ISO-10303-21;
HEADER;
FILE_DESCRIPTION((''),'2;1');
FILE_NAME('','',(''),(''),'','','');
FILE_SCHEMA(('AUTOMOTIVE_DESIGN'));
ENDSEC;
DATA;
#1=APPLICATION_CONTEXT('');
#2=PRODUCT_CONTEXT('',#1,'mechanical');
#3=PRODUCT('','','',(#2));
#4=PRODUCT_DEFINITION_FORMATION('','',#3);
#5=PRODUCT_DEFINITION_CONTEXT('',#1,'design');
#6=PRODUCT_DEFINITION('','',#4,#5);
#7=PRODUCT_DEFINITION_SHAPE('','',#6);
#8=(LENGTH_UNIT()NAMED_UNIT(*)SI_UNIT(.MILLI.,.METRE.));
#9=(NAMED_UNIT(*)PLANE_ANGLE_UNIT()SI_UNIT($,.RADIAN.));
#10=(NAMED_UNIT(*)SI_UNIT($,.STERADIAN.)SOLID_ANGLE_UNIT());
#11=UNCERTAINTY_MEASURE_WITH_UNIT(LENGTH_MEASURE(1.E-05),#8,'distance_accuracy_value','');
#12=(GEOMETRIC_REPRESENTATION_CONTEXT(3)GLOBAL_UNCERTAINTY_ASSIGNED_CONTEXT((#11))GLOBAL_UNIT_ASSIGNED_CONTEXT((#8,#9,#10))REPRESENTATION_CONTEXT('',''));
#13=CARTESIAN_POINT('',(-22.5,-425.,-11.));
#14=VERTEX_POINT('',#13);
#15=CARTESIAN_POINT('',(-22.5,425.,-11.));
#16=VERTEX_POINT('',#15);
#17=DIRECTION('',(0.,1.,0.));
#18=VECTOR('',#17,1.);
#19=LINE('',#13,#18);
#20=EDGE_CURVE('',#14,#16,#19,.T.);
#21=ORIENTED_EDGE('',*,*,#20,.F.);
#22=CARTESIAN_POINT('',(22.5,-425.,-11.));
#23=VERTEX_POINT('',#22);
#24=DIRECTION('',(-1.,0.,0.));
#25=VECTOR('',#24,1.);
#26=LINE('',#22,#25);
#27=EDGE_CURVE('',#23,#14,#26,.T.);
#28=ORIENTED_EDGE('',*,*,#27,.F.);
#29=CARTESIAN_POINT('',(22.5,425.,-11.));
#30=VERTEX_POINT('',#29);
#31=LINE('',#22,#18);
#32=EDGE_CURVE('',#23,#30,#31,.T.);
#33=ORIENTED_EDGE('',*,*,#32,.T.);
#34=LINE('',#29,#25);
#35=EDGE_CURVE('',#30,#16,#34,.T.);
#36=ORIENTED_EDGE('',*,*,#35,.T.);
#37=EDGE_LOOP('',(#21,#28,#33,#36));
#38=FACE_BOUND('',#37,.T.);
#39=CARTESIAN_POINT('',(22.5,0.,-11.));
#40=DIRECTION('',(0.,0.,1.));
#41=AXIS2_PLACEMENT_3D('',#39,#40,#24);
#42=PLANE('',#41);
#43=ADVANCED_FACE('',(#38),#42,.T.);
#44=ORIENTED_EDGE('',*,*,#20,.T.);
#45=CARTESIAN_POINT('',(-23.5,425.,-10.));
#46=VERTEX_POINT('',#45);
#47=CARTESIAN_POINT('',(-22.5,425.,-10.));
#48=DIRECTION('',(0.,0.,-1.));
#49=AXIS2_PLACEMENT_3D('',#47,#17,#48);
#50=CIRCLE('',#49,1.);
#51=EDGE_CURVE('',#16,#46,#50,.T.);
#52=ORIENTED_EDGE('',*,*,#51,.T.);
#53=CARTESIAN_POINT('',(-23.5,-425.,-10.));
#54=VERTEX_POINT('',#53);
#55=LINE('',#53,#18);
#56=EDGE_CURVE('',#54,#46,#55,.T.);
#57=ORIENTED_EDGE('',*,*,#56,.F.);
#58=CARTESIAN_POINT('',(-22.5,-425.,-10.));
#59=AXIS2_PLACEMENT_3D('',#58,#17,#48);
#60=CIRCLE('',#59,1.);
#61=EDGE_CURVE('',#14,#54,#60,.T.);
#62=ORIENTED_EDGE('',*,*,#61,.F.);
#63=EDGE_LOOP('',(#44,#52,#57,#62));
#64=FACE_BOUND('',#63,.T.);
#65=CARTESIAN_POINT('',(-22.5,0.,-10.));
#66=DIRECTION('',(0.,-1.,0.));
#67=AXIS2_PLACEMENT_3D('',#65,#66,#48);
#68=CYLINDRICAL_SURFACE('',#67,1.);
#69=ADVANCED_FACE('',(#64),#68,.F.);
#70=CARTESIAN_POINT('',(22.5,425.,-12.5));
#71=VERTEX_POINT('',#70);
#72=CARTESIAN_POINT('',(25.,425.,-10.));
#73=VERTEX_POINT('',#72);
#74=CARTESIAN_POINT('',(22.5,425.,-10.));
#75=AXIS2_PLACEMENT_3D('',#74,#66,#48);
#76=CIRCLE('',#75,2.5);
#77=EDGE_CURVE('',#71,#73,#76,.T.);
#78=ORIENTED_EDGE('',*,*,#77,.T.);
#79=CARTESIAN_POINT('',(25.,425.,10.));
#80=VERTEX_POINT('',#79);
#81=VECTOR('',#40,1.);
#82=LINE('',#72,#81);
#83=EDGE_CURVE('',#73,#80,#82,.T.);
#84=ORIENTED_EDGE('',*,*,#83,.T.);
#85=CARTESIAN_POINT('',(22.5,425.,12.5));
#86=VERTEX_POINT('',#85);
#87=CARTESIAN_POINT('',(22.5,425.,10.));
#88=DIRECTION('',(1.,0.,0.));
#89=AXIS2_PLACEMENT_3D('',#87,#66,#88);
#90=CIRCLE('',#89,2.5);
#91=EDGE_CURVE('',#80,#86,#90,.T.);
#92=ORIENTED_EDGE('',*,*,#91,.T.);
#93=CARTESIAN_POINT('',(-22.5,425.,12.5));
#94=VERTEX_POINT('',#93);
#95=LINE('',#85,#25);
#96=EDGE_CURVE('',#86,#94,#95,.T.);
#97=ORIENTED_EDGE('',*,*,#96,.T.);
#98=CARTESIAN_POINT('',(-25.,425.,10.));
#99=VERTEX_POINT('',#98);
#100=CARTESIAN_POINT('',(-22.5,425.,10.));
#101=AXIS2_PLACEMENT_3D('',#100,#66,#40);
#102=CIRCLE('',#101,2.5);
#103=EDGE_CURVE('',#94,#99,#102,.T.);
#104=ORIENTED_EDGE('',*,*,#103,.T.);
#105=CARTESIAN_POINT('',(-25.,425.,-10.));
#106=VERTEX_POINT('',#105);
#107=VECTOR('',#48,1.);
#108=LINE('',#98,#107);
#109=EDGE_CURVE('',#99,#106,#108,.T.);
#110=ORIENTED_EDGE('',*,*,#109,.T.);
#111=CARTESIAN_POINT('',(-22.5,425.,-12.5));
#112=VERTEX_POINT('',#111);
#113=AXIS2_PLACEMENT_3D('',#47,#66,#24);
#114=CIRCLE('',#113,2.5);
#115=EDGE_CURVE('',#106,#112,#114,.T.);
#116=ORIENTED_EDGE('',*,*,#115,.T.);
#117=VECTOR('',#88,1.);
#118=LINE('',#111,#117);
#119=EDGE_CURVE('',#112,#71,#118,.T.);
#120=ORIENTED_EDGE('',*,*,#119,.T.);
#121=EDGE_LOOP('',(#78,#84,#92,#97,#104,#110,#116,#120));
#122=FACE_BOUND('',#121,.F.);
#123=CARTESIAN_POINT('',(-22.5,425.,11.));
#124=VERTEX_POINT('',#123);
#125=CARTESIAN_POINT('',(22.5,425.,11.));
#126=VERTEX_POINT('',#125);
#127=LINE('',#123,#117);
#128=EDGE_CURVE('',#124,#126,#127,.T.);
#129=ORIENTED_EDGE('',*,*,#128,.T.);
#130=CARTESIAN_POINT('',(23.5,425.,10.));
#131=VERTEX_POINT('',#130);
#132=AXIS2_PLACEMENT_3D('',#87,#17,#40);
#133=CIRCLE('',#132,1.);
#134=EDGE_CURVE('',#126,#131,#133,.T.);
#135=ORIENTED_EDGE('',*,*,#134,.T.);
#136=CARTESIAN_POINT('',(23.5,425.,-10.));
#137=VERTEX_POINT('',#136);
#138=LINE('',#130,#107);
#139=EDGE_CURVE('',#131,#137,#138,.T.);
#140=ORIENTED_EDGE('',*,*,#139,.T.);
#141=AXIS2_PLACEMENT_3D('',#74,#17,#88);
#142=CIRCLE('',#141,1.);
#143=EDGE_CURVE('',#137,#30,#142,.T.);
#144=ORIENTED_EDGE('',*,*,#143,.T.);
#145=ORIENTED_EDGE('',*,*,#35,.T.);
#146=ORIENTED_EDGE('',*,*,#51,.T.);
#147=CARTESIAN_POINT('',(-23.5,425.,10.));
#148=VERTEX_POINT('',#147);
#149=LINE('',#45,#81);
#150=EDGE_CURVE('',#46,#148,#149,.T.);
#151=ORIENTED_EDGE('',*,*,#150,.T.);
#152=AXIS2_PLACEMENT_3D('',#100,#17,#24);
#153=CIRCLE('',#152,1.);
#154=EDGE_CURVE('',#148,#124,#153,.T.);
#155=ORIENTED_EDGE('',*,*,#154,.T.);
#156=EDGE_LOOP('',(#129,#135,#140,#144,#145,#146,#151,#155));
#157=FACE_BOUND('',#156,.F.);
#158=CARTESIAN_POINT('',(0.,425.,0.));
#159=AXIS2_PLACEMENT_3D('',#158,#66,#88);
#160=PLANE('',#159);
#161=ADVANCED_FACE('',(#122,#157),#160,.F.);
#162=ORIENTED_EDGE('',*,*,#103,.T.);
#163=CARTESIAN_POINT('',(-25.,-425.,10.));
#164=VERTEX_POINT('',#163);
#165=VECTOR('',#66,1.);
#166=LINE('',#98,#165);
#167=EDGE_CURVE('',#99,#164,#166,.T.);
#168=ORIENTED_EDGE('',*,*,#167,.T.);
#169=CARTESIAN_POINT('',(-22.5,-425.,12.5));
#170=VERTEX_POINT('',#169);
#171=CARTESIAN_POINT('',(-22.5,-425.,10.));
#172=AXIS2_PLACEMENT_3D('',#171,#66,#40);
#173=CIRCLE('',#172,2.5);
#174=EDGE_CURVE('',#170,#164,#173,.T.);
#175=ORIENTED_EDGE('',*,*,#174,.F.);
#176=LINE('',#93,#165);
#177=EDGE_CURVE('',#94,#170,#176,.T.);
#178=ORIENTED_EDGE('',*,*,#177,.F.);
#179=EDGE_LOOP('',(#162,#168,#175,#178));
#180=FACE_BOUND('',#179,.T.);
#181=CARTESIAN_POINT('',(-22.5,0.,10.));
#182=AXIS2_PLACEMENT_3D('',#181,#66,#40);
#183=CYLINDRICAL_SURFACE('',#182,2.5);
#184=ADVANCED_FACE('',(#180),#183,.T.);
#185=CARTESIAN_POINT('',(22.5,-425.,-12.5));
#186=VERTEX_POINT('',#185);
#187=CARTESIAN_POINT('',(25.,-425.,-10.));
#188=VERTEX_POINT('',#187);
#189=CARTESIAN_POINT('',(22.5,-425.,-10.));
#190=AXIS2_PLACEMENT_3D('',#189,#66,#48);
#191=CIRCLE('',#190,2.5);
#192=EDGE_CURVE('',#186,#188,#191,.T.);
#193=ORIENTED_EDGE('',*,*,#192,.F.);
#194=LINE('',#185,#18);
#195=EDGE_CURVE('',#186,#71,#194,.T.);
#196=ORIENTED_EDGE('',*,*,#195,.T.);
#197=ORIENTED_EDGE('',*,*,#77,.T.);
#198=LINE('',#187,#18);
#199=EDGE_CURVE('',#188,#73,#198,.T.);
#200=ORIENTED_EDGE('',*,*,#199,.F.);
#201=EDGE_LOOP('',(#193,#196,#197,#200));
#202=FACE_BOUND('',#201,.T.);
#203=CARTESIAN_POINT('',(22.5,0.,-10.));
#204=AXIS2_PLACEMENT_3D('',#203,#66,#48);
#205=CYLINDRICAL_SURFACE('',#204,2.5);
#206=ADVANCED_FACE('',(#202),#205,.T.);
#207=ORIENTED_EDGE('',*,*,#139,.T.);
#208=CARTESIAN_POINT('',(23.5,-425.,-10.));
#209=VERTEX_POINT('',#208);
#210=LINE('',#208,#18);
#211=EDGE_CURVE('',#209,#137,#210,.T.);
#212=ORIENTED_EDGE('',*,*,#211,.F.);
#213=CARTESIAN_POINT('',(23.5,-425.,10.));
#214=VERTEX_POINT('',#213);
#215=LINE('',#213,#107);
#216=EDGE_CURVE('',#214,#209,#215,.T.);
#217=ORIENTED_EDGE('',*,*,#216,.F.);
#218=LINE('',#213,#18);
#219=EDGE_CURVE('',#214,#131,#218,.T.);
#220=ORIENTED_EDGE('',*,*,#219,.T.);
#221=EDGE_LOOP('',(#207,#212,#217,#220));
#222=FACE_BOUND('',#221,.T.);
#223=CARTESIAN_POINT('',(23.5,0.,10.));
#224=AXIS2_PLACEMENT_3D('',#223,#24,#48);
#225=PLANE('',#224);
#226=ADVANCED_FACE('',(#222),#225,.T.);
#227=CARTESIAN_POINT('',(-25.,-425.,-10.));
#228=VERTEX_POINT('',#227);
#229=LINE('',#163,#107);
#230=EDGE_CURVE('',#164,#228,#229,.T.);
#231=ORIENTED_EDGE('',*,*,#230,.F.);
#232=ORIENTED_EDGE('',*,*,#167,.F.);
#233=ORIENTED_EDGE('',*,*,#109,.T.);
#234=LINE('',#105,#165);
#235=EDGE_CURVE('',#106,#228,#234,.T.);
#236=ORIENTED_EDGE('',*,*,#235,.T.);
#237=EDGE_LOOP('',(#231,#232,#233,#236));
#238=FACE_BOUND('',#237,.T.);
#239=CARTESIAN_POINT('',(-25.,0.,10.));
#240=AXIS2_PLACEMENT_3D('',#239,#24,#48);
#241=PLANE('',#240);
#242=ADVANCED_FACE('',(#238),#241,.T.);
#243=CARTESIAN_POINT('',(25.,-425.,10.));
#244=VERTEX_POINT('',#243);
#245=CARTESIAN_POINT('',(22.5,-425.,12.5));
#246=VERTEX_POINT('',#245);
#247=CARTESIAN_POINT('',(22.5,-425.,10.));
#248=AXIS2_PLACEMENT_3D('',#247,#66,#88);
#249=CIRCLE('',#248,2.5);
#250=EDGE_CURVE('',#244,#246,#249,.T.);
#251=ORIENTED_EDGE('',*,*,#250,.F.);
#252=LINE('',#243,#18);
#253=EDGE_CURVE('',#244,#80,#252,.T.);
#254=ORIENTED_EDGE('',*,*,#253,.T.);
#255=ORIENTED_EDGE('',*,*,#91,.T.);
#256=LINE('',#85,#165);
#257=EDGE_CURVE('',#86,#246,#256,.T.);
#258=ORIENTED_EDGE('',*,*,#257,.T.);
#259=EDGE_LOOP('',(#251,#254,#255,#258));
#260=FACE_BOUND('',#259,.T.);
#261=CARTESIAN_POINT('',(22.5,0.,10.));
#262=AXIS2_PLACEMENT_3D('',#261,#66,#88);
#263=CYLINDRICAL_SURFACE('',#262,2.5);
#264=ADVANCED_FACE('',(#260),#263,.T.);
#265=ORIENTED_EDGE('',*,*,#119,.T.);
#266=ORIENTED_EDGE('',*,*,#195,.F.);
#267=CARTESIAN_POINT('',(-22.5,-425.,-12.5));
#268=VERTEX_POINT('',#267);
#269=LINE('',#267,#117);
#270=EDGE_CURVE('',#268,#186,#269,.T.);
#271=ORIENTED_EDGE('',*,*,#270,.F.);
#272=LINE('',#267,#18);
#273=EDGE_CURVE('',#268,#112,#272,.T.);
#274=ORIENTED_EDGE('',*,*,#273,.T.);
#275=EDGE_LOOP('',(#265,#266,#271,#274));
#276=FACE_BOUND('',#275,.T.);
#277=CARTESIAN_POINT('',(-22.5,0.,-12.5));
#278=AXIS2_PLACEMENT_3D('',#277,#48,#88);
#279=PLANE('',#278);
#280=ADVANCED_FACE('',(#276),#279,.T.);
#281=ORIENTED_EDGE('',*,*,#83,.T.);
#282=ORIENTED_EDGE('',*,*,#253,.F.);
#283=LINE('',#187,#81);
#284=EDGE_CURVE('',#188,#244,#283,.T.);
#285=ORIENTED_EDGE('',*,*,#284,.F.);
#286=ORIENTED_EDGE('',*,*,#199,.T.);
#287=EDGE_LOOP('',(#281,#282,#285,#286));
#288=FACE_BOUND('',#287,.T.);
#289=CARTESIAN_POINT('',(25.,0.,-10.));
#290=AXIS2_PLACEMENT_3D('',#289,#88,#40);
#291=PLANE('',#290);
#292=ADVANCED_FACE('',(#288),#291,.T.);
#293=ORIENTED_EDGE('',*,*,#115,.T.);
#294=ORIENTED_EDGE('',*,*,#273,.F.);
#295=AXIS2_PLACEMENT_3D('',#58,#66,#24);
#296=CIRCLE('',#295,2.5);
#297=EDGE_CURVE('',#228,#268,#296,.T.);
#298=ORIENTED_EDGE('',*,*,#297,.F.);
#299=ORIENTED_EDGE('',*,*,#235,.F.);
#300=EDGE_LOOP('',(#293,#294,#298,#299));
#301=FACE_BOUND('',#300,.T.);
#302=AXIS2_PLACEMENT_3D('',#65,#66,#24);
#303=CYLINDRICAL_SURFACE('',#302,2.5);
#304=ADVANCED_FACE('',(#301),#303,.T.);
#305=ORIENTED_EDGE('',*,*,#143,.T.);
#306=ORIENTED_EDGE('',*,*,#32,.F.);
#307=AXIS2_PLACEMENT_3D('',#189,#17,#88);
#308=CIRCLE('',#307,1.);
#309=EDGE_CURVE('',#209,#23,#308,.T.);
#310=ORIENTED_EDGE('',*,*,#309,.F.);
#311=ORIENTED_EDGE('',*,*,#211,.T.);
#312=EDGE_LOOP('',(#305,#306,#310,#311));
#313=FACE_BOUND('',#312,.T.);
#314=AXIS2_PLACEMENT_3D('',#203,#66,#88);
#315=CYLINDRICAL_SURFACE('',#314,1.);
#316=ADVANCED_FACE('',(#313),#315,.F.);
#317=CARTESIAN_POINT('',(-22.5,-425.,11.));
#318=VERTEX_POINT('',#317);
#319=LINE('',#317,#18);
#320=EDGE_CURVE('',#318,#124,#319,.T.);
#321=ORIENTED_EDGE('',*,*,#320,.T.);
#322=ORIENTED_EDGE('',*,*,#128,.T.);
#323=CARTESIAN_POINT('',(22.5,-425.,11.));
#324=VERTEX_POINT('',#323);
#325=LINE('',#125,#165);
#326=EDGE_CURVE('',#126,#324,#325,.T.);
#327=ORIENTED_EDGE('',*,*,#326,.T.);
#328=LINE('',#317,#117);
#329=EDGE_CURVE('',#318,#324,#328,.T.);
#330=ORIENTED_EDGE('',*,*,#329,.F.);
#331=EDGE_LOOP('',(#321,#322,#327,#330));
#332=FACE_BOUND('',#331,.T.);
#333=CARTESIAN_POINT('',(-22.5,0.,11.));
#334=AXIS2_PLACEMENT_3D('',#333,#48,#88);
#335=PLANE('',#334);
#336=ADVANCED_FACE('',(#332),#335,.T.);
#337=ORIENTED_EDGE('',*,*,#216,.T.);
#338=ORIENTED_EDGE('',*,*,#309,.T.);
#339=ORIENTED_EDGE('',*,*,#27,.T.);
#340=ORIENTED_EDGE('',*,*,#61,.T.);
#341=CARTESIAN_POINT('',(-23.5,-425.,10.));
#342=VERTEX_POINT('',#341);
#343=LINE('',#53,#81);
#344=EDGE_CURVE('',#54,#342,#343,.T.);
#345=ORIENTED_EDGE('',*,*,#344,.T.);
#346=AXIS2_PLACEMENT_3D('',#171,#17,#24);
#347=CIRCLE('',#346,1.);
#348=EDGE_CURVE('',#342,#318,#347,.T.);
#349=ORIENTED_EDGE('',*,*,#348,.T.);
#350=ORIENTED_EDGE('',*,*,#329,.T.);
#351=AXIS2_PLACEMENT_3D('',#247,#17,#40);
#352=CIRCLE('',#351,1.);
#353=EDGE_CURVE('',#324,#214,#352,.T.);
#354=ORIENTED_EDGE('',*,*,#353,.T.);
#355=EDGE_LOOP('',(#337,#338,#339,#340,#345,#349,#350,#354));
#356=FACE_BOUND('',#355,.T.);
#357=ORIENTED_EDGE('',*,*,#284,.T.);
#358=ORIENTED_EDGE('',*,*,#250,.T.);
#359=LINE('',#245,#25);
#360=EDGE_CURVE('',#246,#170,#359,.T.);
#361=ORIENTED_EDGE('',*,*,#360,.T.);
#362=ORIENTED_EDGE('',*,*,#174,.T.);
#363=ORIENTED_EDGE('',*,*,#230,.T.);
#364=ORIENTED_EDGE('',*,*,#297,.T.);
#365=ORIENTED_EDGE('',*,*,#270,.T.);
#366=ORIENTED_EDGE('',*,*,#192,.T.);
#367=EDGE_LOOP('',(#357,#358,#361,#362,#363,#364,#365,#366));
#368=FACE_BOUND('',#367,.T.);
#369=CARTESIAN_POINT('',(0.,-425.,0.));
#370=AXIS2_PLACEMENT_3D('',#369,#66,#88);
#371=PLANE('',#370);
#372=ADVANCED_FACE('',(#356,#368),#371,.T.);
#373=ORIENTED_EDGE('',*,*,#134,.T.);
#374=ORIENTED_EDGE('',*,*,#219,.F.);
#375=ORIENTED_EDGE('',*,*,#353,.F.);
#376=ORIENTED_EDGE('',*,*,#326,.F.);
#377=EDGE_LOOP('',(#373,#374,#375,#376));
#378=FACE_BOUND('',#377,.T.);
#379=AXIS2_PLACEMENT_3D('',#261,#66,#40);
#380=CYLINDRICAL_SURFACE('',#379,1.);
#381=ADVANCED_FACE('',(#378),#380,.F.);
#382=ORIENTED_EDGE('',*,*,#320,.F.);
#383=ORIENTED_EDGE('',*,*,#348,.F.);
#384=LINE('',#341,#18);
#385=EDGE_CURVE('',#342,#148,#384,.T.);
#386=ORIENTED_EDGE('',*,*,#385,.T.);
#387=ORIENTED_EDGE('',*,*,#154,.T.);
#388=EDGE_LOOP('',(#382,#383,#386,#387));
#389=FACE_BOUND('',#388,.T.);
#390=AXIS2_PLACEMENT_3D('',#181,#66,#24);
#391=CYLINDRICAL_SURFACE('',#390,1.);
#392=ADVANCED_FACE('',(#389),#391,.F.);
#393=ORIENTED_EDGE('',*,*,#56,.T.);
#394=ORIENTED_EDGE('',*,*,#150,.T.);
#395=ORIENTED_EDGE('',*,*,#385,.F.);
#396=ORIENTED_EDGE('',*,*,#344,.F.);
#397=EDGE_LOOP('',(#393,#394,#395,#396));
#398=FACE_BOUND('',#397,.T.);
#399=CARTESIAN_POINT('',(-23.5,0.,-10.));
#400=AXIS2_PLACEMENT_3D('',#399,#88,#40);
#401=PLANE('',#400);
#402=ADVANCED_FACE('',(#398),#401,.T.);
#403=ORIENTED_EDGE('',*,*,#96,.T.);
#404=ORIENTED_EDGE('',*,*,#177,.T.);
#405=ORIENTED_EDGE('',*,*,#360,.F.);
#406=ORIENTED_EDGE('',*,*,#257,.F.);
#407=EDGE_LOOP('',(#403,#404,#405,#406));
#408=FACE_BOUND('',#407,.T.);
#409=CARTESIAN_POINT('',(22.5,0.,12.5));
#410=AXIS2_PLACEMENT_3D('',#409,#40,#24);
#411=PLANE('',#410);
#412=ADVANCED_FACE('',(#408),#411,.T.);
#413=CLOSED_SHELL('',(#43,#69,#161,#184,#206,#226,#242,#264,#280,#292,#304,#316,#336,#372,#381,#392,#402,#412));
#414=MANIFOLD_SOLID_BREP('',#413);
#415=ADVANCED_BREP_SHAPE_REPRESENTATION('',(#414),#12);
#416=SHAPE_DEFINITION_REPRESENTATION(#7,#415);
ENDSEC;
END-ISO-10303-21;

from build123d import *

# Parameters (mm, degrees)
F1_DEPTH = 425


with BuildPart() as f1:
    # F0 (on Front) → F1 (new body, symmetric)
    with BuildSketch(Plane.XZ):
        with BuildLine():
            ThreePointArc((25, 10), (24.267766953, 11.767766953), (22.5, 12.5))
            Line((22.5, 12.5), (-22.5, 12.5))
            ThreePointArc((-22.5, 12.5), (-24.267766953, 11.767766953), (-25, 10))
            Line((-25, 10), (-25, -10))
            ThreePointArc((-25, -10), (-24.267766953, -11.767766953), (-22.5, -12.5))
            Line((-22.5, -12.5), (22.5, -12.5))
            ThreePointArc((22.5, -12.5), (24.267766953, -11.767766953), (25, -10))
            Line((25, -10), (25, 10))
        make_face()
        with BuildLine():
            ThreePointArc((22.5, 11), (23.2071067812, 10.7071067812), (23.5, 10))
            Line((23.5, 10), (23.5, -10))
            ThreePointArc((23.5, -10), (23.2071067812, -10.7071067812), (22.5, -11))
            Line((22.5, -11), (-22.5, -11))
            ThreePointArc((-22.5, -11), (-23.2071067812, -10.7071067812), (-23.5, -10))
            Line((-23.5, -10), (-23.5, 10))
            ThreePointArc((-23.5, 10), (-23.2071067812, 10.7071067812), (-22.5, 11))
            Line((-22.5, 11), (22.5, 11))
        make_face(mode=Mode.SUBTRACT)
    extrude(amount=F1_DEPTH, both=True)


solid = f1.part
